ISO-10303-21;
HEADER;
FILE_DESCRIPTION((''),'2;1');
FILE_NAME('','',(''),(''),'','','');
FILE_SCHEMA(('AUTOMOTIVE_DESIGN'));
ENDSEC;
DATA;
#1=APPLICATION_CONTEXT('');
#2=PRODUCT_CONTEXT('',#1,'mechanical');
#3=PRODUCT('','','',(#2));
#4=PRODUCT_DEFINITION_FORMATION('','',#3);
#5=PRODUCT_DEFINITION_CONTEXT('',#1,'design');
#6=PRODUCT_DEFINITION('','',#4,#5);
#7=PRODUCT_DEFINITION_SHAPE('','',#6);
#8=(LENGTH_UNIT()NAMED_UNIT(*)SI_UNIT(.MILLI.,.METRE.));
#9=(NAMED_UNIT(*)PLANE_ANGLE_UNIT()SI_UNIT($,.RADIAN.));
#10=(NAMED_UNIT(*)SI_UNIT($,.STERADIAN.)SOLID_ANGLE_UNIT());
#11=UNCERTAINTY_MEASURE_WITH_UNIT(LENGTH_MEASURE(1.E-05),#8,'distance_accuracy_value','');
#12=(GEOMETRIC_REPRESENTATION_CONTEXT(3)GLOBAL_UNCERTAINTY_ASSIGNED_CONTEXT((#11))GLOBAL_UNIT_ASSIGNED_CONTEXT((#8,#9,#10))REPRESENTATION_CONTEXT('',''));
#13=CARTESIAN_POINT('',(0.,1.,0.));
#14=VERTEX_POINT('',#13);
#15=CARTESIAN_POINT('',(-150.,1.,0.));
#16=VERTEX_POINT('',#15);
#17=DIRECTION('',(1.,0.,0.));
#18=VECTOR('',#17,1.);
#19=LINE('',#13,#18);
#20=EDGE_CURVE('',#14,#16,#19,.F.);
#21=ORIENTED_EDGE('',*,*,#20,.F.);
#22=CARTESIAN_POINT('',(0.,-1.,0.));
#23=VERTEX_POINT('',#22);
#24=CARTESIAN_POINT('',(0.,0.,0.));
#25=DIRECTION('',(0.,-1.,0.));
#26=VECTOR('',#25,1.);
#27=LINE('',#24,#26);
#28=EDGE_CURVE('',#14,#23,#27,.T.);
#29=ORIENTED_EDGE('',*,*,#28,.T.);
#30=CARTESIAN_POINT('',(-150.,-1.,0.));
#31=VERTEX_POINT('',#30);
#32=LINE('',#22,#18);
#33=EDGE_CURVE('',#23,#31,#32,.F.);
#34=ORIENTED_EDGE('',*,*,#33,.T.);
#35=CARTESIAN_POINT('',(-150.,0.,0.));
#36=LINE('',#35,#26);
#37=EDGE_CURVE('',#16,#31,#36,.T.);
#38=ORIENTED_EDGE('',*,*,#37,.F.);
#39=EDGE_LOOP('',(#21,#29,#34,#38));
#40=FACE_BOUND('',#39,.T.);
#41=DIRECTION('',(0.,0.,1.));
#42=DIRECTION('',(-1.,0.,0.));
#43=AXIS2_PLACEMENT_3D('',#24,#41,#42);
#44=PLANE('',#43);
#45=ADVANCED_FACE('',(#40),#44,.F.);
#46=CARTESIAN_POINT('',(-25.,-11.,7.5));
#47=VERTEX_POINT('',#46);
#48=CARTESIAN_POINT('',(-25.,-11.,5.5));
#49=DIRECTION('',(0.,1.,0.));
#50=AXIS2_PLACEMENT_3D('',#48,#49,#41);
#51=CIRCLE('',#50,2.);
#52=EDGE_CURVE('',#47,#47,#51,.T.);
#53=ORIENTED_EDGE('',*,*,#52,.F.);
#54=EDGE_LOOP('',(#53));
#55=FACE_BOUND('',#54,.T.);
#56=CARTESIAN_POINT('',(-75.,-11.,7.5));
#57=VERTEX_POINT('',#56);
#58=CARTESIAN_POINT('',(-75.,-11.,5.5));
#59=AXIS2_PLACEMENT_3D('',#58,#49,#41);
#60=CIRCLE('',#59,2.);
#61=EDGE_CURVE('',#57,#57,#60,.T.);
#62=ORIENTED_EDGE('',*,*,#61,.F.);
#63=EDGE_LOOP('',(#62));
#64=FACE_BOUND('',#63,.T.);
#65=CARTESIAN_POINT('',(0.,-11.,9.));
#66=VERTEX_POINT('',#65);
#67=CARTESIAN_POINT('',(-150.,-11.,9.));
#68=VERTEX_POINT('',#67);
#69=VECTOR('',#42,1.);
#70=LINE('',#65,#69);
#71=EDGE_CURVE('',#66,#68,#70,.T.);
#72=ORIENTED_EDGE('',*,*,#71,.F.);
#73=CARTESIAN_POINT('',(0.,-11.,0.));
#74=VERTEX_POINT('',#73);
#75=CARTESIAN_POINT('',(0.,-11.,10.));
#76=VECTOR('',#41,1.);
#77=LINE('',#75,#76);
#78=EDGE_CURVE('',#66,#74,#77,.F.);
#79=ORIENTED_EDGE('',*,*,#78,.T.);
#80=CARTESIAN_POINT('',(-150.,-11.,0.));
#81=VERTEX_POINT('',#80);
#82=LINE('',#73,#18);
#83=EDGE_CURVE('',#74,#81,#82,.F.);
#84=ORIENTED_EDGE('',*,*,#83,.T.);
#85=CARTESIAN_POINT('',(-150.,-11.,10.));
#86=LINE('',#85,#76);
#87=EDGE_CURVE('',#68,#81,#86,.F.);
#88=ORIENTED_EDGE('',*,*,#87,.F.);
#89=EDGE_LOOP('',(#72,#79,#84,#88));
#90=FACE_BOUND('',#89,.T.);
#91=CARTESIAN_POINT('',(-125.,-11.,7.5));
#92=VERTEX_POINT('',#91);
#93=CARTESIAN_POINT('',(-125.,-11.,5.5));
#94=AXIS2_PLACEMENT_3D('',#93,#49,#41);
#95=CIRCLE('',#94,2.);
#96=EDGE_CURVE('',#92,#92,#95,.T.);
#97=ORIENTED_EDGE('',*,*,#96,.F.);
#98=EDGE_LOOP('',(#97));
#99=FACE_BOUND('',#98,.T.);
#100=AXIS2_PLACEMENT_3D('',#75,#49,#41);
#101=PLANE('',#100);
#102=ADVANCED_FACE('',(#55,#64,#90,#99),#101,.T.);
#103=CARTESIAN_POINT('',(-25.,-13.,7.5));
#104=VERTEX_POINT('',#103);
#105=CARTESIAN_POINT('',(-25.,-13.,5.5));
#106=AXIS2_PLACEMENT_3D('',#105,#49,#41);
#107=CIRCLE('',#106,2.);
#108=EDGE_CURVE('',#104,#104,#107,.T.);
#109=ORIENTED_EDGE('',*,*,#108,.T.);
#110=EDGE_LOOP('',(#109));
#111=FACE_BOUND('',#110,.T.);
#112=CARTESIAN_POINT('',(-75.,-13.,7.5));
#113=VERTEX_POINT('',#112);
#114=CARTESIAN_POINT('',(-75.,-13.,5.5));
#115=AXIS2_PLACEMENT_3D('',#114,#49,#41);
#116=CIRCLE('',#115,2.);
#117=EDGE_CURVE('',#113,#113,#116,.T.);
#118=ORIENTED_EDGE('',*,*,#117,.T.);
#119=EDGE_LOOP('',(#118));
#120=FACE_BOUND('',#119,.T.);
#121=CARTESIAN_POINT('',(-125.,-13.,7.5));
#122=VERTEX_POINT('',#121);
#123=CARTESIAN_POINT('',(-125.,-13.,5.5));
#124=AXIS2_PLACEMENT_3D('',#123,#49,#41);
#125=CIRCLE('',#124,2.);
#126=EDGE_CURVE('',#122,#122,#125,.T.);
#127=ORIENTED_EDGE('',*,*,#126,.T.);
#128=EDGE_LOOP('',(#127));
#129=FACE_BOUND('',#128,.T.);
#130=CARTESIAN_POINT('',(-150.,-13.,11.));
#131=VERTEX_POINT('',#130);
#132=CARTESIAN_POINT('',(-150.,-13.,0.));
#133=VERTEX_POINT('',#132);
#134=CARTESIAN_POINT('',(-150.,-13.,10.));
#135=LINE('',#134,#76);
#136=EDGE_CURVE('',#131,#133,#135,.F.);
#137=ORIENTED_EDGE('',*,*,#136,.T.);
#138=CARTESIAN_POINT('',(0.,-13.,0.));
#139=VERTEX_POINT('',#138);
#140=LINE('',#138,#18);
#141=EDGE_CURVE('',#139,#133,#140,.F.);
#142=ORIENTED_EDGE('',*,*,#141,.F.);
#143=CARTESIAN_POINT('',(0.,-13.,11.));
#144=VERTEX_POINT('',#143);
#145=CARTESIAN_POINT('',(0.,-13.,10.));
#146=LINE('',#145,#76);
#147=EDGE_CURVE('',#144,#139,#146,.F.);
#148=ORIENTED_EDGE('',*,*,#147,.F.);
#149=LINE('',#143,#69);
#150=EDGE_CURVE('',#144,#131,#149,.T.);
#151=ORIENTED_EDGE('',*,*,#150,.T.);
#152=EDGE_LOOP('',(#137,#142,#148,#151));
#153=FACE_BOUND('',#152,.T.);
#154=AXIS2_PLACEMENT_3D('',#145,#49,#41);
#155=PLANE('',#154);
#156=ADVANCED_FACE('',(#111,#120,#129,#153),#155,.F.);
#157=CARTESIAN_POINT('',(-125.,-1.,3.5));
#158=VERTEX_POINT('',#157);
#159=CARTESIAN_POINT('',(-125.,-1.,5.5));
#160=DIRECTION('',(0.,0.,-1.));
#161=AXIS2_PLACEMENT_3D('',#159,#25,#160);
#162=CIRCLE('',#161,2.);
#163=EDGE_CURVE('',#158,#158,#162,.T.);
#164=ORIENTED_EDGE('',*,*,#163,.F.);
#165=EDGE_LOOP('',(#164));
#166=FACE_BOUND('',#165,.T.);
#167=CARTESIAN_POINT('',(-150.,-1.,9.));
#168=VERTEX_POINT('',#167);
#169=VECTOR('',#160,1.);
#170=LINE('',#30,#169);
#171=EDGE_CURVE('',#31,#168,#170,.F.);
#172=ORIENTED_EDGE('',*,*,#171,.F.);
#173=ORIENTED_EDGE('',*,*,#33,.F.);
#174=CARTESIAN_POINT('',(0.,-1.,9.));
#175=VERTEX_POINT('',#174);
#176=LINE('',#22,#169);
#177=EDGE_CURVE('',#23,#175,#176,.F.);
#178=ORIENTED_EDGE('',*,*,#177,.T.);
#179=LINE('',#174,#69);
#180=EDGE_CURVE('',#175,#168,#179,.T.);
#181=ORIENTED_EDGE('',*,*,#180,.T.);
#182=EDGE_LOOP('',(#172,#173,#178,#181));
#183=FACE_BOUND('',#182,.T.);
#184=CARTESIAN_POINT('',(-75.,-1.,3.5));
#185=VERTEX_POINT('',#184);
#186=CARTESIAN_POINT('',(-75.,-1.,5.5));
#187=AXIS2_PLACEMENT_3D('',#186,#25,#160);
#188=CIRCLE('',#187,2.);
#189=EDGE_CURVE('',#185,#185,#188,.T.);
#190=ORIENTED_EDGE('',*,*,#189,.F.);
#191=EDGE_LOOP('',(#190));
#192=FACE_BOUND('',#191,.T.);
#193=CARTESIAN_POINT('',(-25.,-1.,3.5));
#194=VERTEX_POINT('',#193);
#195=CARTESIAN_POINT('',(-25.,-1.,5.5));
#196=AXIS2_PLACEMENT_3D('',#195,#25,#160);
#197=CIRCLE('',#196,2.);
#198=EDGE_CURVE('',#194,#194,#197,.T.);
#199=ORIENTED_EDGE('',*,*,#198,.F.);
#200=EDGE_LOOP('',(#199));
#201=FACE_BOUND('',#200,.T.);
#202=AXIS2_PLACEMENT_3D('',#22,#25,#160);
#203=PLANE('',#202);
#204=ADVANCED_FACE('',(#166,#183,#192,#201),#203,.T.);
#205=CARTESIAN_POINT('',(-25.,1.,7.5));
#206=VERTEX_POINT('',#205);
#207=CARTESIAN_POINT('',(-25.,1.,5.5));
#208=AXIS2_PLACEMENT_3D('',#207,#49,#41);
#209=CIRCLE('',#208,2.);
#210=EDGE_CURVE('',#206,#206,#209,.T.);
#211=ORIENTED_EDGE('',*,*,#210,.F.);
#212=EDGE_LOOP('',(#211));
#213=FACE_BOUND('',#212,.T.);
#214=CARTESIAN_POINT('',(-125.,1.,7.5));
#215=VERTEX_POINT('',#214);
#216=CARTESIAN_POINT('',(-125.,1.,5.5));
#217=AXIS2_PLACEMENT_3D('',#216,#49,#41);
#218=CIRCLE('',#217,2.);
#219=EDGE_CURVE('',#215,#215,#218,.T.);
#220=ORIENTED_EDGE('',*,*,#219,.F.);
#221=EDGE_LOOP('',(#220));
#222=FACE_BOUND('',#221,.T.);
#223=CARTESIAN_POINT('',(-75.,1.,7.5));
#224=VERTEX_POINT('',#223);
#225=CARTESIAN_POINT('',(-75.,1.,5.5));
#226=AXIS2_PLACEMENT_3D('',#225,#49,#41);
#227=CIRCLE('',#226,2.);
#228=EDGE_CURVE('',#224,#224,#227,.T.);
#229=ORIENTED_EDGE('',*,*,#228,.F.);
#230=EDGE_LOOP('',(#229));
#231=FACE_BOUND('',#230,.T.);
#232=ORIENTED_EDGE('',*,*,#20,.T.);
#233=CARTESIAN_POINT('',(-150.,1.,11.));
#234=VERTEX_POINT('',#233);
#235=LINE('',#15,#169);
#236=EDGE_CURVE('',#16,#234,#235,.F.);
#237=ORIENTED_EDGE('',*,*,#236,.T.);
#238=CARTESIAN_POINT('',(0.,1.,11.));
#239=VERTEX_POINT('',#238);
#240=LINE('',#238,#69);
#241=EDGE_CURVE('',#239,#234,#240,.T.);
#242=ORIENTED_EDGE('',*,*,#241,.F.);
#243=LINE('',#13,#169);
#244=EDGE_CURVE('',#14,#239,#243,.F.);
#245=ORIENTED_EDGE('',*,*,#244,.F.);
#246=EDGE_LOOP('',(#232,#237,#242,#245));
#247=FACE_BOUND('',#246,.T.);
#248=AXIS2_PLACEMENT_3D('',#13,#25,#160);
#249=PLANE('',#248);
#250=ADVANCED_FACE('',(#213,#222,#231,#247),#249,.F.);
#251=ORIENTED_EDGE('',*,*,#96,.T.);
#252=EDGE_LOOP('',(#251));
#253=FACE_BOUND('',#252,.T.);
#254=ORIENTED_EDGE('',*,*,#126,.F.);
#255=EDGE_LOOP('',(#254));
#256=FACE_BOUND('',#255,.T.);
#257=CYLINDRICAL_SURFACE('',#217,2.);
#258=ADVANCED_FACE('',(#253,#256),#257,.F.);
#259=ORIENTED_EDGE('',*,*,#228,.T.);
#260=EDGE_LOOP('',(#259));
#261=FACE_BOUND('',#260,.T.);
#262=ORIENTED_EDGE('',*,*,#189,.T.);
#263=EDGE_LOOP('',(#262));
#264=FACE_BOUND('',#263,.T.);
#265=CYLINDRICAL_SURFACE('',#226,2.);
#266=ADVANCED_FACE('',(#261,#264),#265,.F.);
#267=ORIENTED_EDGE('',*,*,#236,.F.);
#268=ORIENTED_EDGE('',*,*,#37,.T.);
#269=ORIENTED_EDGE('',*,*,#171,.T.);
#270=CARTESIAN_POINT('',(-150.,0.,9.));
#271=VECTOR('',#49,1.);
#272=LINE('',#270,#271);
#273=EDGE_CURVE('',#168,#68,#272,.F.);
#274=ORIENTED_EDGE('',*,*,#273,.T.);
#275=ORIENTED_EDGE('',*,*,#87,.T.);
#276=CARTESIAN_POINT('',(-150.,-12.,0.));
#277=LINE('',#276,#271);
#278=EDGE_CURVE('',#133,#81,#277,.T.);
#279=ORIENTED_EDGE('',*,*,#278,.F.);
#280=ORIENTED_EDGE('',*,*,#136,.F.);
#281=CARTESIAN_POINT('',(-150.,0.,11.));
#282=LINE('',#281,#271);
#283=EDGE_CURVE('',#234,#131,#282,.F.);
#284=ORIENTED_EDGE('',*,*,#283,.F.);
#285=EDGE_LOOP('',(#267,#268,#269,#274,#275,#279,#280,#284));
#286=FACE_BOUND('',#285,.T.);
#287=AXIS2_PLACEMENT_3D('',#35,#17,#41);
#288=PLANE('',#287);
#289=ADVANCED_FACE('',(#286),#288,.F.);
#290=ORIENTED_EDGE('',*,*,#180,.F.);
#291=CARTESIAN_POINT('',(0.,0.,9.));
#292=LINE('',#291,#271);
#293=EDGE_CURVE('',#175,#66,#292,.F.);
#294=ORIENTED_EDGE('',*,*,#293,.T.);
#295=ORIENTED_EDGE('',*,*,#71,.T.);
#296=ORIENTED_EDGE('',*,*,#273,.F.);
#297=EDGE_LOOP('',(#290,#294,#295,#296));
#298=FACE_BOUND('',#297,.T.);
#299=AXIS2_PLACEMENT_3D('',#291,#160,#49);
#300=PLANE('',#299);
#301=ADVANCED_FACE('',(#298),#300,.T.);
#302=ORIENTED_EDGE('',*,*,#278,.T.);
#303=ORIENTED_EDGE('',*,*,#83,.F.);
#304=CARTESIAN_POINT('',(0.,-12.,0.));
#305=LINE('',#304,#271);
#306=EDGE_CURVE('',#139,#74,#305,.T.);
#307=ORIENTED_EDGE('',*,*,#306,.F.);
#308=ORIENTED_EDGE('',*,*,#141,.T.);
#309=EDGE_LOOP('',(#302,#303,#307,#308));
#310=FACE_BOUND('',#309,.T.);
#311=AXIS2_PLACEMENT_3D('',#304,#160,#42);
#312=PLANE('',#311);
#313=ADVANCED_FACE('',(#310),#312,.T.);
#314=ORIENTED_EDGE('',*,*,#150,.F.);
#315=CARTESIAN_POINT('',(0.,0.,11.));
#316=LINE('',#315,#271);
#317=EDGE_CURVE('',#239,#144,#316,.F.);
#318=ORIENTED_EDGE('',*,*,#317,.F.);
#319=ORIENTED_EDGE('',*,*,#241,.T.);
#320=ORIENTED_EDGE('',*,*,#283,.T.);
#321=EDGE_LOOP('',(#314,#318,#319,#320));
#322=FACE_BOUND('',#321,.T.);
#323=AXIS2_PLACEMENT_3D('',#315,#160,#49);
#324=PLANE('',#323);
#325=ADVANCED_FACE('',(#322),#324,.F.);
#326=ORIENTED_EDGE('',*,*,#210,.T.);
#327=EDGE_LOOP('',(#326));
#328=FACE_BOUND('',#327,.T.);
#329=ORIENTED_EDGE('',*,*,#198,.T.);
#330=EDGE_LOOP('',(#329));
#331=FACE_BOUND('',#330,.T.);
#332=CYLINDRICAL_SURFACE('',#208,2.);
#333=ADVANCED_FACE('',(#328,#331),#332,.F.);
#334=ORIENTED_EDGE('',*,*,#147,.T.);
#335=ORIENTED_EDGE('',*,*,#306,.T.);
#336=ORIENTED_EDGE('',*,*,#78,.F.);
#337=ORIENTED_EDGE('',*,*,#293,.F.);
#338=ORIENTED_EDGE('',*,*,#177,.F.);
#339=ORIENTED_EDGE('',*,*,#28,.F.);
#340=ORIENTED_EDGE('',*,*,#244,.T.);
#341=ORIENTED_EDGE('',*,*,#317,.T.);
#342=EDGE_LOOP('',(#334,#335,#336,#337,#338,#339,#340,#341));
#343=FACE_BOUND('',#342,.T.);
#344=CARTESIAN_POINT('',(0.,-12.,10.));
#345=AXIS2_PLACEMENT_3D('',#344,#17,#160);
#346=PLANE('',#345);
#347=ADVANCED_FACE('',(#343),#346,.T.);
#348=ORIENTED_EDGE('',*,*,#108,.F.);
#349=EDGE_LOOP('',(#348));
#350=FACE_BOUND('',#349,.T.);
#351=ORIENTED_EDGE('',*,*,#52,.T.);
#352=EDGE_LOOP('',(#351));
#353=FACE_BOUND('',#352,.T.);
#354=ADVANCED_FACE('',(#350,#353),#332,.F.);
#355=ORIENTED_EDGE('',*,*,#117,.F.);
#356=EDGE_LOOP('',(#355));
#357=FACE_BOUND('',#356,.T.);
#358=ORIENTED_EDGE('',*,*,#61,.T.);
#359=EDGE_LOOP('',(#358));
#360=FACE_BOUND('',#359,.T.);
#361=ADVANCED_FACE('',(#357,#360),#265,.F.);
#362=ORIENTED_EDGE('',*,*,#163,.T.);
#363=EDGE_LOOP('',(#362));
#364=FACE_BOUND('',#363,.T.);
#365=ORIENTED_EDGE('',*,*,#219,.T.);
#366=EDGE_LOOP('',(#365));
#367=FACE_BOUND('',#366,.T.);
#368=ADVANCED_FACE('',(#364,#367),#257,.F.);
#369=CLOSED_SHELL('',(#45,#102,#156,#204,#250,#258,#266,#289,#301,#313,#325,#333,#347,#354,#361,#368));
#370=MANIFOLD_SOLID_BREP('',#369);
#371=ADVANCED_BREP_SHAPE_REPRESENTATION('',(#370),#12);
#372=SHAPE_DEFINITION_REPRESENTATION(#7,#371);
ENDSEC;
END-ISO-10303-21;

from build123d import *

# Parameters (mm, degrees)
SURFACE_EXTRUDE1_1_BACK  = 150
SURFACE_EXTRUDE1_1_DEPTH = 150
THICKEN1_T1              = 1
THICKEN1_T2              = 1
F_4_0MM_DOWEL_HOLE1_D    = 4


with BuildPart() as body_1:
    # Surface-Extrude1: a surface, the sketch's curves swept straight by 150 mm
    with BuildLine(Plane(origin=(0, 0, 0), x_dir=(0, 0, -1), z_dir=(1, 0, 0)).offset(-SURFACE_EXTRUDE1_1_BACK), mode=Mode.PRIVATE) as surface_extrude1_1_path:
        Line((0, 0), (-10, 0))
        Line((-10, 0), (-10, -12))
        Line((-10, -12), (0, -12))
    surface_extrude1_1 = Shell.extrude(surface_extrude1_1_path.wire(), (1 * SURFACE_EXTRUDE1_1_DEPTH, 0 * SURFACE_EXTRUDE1_1_DEPTH, 0 * SURFACE_EXTRUDE1_1_DEPTH))
    add(Solid.thicken(surface_extrude1_1, THICKEN1_T1))
    add(Solid.thicken(surface_extrude1_1, -THICKEN1_T2))

    # Ø4.0mm Dowel Hole1 (through all)
    with Locations(Plane(origin=(0, 1, 0), x_dir=(1, 0, 0), z_dir=(0, 1, 0))):
        with Locations((-125, -5.5), (-75, -5.5), (-25, -5.5)):
            Hole(F_4_0MM_DOWEL_HOLE1_D / 2)


solid = body_1.part
